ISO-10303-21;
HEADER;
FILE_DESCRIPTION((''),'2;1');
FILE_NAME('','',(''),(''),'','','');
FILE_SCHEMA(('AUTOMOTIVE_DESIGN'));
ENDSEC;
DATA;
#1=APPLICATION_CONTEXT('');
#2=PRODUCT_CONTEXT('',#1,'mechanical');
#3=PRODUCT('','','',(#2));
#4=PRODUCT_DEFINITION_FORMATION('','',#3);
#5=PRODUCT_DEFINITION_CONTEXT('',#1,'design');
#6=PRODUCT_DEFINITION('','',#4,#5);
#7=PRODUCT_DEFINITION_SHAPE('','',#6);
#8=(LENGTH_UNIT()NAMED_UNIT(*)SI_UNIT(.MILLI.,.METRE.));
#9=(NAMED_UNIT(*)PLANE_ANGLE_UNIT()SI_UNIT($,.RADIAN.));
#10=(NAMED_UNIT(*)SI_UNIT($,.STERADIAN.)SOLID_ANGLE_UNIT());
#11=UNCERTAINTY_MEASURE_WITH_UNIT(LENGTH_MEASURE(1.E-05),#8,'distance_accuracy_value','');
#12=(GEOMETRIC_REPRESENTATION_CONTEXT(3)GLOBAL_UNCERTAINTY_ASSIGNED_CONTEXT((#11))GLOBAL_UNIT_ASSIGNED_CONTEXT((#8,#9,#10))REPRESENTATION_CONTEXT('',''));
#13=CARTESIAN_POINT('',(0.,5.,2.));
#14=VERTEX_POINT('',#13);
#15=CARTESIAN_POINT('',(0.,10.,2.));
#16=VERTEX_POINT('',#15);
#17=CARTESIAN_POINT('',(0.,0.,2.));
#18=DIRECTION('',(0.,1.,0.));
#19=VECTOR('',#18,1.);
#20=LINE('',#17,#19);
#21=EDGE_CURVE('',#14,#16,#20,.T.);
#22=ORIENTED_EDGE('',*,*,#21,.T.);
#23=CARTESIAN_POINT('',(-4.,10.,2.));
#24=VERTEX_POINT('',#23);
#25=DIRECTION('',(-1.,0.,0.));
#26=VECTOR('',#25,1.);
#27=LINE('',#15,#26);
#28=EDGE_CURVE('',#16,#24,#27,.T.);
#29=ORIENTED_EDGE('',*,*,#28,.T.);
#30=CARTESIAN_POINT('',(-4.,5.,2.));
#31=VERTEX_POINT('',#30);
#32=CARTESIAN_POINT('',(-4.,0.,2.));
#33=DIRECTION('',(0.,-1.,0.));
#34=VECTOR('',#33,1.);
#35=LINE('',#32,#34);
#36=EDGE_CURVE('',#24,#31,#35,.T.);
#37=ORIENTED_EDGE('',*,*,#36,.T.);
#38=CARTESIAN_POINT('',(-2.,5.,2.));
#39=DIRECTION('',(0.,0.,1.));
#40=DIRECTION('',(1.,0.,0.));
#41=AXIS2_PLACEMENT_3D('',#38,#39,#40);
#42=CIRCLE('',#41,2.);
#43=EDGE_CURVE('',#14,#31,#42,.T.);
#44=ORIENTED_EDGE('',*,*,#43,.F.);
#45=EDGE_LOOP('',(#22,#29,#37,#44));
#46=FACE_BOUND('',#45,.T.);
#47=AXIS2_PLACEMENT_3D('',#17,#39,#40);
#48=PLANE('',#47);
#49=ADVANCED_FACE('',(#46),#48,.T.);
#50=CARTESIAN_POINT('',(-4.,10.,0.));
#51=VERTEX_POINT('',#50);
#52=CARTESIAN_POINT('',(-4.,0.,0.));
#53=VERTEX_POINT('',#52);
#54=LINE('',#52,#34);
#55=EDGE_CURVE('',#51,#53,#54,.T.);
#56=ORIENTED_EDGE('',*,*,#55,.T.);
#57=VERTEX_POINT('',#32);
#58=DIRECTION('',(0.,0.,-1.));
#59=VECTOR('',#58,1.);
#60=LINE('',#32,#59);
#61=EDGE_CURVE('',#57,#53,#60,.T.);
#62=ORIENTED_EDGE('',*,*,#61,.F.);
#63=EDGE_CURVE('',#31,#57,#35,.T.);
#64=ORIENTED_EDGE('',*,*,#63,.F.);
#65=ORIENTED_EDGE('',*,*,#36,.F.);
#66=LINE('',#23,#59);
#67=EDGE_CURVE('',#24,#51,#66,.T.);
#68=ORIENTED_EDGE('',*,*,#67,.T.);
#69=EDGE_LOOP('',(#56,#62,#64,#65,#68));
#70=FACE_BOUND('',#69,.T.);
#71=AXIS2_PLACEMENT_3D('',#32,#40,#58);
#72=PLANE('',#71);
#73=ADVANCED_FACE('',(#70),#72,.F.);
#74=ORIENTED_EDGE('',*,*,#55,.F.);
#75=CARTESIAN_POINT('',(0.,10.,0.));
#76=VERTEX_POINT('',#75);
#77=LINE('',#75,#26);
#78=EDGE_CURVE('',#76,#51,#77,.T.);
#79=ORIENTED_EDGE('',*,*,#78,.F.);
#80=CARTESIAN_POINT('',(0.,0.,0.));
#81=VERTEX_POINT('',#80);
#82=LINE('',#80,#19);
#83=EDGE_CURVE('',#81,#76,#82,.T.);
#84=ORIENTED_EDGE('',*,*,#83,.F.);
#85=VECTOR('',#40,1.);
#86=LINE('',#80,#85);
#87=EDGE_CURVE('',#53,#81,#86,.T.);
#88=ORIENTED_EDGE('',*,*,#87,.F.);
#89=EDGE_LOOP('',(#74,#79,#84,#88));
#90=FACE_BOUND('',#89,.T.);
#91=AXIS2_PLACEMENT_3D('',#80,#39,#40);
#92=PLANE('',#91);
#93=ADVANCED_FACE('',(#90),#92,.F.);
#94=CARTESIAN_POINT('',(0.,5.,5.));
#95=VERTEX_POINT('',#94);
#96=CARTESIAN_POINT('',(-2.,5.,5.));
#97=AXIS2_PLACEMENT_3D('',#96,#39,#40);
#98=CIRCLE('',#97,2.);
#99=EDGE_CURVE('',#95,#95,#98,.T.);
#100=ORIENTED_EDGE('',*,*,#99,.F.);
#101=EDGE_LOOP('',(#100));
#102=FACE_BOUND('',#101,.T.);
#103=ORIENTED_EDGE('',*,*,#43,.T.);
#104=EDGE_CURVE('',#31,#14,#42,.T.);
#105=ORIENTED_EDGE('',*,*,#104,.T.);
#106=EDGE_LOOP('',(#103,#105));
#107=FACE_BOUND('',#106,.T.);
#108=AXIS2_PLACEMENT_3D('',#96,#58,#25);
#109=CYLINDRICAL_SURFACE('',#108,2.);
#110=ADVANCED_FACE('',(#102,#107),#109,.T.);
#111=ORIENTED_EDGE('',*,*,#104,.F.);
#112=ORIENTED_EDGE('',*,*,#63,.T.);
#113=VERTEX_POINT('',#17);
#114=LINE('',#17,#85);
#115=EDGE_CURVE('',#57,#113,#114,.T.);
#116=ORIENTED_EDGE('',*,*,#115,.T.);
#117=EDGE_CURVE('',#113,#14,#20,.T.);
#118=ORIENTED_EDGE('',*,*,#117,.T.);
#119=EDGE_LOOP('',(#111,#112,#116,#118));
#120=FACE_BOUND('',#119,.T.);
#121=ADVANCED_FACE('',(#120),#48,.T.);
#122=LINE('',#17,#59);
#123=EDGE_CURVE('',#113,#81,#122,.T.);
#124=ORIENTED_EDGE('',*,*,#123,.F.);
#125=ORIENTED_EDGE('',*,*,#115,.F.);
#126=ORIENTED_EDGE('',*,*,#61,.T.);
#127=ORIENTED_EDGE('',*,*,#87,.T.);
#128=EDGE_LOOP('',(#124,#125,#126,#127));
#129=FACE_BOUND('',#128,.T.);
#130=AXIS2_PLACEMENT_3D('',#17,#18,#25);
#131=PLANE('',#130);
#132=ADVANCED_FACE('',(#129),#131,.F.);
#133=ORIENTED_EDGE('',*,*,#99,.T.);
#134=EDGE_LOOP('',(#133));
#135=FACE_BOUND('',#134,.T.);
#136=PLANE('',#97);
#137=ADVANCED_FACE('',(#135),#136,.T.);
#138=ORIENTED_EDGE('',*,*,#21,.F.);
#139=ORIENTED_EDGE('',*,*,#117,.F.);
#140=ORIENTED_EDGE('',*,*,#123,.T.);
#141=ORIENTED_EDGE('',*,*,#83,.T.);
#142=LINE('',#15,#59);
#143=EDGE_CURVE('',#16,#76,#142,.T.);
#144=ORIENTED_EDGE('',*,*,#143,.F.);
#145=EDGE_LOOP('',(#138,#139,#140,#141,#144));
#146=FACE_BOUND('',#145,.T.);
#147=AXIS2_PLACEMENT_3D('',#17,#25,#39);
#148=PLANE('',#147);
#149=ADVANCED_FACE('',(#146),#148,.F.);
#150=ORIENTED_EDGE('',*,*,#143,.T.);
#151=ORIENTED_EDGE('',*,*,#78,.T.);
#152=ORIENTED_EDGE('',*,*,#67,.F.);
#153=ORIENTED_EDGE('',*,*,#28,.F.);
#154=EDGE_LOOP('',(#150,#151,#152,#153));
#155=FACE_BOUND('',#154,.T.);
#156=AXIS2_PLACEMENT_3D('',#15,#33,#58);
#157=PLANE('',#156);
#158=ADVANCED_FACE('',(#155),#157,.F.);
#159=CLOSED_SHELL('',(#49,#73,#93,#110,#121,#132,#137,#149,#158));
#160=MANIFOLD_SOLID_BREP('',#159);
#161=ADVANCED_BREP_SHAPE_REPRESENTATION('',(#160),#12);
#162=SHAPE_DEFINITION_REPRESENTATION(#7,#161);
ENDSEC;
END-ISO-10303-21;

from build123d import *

# Parameters (mm, degrees)
SKETCH1_W           = 4
SKETCH1_H           = 10
BOSS_EXTRUDE1_DEPTH = 2
SKETCH2_R           = 2
BOSS_EXTRUDE2_DEPTH = 3


with BuildPart() as part:
    # Sketch1 → Boss-Extrude1 (new body)
    with BuildSketch(Plane.XY):
        with Locations((-2, 5)):
            Rectangle(SKETCH1_W, SKETCH1_H)
    extrude(amount=BOSS_EXTRUDE1_DEPTH)

    # Sketch2 → Boss-Extrude2 (add)
    with BuildSketch(Plane.XY.offset(2)):
        with Locations((-2, 5)):
            Circle(SKETCH2_R)
    extrude(amount=BOSS_EXTRUDE2_DEPTH)


solid = part.part
